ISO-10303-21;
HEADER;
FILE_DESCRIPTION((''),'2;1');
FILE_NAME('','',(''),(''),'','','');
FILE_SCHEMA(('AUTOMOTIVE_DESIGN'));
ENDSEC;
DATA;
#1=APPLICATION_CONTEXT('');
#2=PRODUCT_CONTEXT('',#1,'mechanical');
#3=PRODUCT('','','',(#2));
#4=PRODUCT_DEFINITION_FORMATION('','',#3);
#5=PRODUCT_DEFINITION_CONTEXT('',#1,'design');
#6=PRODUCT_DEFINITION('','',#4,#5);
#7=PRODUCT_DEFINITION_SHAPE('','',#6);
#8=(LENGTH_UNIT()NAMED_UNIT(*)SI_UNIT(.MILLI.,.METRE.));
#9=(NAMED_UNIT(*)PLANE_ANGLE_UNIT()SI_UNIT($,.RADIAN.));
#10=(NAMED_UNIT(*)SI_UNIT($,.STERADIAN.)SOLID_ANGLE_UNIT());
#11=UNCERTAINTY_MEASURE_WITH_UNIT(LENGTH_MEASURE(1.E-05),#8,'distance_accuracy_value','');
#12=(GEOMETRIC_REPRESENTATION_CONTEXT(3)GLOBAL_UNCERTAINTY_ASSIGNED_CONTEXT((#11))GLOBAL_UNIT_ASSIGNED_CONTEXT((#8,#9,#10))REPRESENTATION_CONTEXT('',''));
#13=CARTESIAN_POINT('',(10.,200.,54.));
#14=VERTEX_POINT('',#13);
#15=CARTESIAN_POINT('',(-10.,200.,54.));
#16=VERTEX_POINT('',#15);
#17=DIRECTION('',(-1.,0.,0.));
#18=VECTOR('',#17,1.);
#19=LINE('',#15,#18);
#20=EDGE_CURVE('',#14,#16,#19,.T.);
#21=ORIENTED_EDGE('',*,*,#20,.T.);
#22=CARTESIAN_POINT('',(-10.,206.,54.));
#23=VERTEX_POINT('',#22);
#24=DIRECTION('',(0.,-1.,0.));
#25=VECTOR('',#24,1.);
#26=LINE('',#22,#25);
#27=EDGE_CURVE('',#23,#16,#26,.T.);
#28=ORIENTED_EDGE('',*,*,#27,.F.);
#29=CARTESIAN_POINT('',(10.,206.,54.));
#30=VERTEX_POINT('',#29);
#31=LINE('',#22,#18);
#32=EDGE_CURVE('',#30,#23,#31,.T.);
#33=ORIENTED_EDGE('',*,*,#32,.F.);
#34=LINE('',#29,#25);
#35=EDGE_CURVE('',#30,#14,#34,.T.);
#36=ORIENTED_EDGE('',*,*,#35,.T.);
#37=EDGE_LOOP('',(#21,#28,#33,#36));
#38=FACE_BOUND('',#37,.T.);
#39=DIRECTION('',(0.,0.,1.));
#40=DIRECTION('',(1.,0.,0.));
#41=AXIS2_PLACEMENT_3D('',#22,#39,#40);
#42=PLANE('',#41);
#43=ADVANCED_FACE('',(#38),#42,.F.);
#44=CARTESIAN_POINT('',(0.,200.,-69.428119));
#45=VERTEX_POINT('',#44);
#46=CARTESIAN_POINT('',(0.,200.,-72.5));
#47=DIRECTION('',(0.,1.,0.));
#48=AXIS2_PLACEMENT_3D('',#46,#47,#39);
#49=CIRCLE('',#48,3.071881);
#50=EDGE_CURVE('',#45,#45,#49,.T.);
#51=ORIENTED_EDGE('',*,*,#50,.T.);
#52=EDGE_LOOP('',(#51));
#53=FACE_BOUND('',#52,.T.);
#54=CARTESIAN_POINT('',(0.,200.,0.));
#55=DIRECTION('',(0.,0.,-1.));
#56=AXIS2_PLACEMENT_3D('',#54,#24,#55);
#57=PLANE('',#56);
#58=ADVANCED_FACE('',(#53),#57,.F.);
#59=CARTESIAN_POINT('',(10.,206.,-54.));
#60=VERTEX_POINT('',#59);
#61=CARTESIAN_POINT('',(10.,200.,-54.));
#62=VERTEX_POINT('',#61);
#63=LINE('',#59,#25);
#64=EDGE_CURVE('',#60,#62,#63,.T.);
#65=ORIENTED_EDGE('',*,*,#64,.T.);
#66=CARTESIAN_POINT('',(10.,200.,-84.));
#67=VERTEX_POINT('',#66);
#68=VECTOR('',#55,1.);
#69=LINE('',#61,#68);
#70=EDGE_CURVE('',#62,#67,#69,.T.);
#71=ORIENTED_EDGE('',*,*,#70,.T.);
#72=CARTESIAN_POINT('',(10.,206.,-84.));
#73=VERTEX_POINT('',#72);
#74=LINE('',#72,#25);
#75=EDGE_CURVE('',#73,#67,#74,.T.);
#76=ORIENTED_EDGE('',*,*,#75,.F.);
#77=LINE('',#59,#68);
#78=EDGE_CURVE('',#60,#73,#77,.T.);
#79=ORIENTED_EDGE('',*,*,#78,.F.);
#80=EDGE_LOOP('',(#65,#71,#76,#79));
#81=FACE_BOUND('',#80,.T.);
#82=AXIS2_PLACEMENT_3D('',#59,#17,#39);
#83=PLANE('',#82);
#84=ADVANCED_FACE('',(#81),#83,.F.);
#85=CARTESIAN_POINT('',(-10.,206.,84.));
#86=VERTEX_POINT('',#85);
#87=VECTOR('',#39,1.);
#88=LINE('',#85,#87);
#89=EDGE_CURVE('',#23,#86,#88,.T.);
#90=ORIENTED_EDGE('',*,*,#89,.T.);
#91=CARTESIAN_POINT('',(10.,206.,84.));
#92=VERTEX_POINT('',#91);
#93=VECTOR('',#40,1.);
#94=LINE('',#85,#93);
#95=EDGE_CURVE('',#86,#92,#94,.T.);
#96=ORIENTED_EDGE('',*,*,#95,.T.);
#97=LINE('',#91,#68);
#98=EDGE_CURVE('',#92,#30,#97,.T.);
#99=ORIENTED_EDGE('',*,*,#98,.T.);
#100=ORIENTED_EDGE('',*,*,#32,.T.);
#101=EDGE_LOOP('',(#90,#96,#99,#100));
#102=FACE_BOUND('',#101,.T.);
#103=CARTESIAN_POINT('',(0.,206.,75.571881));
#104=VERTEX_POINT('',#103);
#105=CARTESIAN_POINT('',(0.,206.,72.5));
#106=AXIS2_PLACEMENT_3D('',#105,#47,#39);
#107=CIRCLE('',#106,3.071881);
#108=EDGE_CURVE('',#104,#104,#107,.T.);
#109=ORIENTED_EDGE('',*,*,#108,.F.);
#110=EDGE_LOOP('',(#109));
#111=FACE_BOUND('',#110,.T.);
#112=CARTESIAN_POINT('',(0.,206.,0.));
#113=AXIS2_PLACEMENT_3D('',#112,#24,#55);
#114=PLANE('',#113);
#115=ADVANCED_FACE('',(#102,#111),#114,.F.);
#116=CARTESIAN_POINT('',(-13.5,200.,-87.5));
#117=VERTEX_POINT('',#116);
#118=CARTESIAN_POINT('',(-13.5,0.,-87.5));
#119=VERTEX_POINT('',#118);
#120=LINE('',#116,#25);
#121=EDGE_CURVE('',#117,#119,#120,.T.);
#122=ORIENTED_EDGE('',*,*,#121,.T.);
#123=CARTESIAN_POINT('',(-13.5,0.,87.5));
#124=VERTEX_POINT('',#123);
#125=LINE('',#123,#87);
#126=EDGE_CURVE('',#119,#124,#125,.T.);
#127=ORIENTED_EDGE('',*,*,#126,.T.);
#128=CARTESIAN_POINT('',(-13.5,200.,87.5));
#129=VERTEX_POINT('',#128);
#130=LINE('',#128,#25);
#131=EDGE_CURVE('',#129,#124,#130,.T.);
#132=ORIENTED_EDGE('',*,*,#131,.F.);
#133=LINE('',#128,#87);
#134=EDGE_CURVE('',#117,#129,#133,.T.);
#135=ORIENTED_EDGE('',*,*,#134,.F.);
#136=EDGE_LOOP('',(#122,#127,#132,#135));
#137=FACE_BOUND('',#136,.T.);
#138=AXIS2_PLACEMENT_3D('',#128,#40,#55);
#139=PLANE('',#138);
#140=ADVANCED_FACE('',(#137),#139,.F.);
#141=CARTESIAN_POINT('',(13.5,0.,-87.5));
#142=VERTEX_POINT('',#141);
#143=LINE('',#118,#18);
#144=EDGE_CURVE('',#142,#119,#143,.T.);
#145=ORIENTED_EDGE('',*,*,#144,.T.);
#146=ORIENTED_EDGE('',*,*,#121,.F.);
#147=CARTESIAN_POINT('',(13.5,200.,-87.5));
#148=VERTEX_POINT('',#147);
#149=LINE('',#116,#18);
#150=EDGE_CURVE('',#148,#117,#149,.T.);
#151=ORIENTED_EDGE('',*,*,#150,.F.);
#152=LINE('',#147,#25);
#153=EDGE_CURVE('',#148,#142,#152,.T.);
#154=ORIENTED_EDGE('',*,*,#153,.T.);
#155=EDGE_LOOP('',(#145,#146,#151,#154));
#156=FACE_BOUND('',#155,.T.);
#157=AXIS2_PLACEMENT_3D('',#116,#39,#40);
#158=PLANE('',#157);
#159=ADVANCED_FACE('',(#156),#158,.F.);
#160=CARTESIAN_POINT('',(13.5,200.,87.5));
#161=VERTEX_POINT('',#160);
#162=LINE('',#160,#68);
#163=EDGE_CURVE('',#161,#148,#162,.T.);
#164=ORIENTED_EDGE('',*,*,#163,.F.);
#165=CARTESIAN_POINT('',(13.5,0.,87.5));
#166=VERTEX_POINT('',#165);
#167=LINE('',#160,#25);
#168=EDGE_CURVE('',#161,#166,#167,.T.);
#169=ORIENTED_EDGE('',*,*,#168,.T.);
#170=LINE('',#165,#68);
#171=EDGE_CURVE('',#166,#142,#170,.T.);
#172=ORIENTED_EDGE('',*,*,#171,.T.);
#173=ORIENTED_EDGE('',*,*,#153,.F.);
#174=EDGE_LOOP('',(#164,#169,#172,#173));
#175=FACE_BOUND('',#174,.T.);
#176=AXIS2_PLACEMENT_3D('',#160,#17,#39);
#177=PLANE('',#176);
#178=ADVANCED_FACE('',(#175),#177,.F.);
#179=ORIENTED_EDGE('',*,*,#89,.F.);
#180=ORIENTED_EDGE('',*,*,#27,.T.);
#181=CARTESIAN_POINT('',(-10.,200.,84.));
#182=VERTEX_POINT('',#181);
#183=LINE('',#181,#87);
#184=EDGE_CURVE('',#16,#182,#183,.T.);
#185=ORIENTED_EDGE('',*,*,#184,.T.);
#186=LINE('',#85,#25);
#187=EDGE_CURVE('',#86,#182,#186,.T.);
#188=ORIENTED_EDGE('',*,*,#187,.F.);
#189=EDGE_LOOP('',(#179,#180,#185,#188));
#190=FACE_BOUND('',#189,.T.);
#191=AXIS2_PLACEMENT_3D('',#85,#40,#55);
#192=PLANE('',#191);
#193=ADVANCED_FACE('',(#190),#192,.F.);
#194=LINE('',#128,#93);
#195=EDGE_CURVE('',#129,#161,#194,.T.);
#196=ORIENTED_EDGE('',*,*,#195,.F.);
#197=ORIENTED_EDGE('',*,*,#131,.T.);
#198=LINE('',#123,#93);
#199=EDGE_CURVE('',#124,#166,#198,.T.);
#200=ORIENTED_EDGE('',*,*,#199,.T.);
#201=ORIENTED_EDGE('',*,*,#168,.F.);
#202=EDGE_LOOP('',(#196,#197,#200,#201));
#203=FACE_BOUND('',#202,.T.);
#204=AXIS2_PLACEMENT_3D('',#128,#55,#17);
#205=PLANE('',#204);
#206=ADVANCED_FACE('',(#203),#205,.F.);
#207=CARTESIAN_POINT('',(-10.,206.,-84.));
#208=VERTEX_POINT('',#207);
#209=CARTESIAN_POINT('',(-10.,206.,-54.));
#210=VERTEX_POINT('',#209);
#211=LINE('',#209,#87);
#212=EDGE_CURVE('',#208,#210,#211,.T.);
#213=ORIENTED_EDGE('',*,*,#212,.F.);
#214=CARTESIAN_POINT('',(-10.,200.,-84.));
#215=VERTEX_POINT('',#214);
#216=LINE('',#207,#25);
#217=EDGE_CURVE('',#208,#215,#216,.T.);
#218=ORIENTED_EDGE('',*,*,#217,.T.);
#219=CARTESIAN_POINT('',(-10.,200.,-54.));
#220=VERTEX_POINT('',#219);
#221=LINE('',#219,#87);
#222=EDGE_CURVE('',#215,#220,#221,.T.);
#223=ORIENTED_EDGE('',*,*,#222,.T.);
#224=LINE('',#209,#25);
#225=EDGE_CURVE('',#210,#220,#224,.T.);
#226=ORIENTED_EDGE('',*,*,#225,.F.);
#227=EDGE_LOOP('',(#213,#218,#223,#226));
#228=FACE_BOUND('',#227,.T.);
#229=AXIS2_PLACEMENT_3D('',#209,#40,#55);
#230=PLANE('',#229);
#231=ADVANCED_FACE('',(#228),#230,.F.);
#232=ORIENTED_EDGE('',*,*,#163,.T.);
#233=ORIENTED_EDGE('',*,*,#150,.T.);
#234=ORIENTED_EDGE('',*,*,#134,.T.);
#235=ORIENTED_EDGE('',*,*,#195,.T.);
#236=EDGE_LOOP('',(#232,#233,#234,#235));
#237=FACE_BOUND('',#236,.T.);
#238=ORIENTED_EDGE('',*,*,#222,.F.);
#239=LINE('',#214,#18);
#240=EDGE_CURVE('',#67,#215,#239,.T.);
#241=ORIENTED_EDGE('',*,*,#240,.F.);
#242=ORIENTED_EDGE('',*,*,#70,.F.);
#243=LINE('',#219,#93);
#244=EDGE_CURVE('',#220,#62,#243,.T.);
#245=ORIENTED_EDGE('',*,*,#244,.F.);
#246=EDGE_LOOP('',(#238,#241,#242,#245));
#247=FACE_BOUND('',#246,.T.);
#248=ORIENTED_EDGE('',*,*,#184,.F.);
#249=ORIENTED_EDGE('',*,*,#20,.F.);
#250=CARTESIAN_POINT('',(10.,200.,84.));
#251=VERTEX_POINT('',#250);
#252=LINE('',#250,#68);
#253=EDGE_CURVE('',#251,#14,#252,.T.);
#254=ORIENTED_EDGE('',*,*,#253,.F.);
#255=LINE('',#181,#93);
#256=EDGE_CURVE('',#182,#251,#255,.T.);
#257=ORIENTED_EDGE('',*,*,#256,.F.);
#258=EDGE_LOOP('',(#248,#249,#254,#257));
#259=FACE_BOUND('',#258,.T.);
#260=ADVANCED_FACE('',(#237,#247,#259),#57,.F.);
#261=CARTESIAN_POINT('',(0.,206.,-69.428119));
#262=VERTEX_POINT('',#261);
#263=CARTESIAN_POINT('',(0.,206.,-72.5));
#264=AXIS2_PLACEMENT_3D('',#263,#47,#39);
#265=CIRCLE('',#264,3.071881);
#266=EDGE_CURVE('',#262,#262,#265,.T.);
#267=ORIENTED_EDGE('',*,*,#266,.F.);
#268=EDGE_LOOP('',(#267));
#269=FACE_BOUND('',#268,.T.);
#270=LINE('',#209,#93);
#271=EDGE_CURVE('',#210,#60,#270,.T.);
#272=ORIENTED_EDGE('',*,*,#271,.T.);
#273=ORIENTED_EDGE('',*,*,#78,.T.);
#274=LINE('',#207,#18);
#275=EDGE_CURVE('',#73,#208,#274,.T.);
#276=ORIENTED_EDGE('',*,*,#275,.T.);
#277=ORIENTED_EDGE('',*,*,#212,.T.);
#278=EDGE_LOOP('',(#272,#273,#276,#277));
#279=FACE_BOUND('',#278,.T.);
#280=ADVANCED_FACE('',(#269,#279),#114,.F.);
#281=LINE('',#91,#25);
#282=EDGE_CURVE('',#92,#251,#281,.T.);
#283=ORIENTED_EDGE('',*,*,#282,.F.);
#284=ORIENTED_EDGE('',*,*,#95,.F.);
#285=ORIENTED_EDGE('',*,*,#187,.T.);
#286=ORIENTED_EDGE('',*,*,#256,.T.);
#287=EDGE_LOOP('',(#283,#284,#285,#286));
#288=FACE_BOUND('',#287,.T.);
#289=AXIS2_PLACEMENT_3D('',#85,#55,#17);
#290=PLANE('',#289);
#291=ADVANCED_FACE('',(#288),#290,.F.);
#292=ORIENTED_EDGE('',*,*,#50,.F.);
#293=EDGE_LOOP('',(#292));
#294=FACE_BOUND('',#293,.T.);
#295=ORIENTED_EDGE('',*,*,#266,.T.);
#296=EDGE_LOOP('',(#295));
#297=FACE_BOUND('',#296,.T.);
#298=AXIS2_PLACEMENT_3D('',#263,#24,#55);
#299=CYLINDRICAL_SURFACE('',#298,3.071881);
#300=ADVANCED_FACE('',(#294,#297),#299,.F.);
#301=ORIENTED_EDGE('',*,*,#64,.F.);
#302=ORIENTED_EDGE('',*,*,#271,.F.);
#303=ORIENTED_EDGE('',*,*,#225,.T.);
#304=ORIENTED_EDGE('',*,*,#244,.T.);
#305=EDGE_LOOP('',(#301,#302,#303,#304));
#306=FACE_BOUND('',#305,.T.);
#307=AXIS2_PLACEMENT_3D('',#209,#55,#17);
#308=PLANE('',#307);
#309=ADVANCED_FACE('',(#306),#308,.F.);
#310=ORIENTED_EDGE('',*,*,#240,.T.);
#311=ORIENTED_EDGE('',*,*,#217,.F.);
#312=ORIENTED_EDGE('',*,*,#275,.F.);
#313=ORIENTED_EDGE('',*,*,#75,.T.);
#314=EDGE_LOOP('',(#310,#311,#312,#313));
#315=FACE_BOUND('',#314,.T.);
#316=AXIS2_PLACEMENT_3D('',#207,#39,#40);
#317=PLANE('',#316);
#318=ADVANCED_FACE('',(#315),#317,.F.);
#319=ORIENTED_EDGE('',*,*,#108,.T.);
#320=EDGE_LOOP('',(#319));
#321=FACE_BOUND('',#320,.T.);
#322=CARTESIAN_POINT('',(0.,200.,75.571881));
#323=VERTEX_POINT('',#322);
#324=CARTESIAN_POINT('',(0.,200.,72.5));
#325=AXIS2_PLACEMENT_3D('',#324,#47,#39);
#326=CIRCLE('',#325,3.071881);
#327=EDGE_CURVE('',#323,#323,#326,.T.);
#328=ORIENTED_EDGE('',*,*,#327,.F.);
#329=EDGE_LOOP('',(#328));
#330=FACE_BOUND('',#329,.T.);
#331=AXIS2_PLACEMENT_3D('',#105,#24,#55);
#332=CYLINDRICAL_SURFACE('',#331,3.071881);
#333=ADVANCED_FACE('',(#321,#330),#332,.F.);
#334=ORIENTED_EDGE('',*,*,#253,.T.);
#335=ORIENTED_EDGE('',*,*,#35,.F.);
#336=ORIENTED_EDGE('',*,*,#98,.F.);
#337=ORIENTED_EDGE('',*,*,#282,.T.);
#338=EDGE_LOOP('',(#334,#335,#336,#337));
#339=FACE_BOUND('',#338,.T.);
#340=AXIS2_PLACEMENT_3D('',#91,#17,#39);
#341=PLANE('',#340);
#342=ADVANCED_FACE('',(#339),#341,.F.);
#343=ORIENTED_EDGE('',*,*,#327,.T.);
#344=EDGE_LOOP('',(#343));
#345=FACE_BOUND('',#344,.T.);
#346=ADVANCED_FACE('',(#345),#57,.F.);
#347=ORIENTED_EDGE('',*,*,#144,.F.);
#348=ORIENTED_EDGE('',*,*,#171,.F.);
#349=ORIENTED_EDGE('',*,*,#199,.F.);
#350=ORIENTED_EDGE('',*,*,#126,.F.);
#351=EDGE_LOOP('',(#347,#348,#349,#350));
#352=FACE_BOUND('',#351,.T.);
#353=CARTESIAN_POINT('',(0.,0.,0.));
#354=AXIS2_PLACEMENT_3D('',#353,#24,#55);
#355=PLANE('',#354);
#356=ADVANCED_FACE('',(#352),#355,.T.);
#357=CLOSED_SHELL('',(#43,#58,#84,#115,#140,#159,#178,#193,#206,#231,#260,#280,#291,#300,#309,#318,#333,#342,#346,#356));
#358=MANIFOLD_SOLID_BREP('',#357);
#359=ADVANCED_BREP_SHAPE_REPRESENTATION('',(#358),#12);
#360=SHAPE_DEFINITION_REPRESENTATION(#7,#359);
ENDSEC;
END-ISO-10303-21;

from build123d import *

# Parameters (mm, degrees)
SKETCH1_W           = 27
SKETCH1_H           = 175
BOSS_EXTRUDE1_DEPTH = 200
SKETCH2_W           = 20
SKETCH2_H           = 30
SKETCH2_R           = 3.071880825
BOSS_EXTRUDE2_DEPTH = 6


with BuildPart() as part:
    # Sketch1 → Boss-Extrude1 (new body)
    with BuildSketch(Plane(origin=(0, 0, 0), x_dir=(1, 0, 0), z_dir=(0, 1, 0))):
        Rectangle(SKETCH1_W, SKETCH1_H)
    extrude(amount=BOSS_EXTRUDE1_DEPTH)

    # Sketch2 → Boss-Extrude2 (add)
    with BuildSketch(Plane(origin=(0, 200, 0), x_dir=(1, 0, 0), z_dir=(0, 1, 0))):
        with Locations((0, -69)):
            Rectangle(SKETCH2_W, SKETCH2_H)
        with Locations((0, -72.5)):
            Circle(SKETCH2_R, mode=Mode.SUBTRACT)
        with Locations((0, 69)):
            Rectangle(SKETCH2_W, SKETCH2_H)
        with Locations((0, 72.5)):
            Circle(SKETCH2_R, mode=Mode.SUBTRACT)
    extrude(amount=BOSS_EXTRUDE2_DEPTH)


solid = part.part
